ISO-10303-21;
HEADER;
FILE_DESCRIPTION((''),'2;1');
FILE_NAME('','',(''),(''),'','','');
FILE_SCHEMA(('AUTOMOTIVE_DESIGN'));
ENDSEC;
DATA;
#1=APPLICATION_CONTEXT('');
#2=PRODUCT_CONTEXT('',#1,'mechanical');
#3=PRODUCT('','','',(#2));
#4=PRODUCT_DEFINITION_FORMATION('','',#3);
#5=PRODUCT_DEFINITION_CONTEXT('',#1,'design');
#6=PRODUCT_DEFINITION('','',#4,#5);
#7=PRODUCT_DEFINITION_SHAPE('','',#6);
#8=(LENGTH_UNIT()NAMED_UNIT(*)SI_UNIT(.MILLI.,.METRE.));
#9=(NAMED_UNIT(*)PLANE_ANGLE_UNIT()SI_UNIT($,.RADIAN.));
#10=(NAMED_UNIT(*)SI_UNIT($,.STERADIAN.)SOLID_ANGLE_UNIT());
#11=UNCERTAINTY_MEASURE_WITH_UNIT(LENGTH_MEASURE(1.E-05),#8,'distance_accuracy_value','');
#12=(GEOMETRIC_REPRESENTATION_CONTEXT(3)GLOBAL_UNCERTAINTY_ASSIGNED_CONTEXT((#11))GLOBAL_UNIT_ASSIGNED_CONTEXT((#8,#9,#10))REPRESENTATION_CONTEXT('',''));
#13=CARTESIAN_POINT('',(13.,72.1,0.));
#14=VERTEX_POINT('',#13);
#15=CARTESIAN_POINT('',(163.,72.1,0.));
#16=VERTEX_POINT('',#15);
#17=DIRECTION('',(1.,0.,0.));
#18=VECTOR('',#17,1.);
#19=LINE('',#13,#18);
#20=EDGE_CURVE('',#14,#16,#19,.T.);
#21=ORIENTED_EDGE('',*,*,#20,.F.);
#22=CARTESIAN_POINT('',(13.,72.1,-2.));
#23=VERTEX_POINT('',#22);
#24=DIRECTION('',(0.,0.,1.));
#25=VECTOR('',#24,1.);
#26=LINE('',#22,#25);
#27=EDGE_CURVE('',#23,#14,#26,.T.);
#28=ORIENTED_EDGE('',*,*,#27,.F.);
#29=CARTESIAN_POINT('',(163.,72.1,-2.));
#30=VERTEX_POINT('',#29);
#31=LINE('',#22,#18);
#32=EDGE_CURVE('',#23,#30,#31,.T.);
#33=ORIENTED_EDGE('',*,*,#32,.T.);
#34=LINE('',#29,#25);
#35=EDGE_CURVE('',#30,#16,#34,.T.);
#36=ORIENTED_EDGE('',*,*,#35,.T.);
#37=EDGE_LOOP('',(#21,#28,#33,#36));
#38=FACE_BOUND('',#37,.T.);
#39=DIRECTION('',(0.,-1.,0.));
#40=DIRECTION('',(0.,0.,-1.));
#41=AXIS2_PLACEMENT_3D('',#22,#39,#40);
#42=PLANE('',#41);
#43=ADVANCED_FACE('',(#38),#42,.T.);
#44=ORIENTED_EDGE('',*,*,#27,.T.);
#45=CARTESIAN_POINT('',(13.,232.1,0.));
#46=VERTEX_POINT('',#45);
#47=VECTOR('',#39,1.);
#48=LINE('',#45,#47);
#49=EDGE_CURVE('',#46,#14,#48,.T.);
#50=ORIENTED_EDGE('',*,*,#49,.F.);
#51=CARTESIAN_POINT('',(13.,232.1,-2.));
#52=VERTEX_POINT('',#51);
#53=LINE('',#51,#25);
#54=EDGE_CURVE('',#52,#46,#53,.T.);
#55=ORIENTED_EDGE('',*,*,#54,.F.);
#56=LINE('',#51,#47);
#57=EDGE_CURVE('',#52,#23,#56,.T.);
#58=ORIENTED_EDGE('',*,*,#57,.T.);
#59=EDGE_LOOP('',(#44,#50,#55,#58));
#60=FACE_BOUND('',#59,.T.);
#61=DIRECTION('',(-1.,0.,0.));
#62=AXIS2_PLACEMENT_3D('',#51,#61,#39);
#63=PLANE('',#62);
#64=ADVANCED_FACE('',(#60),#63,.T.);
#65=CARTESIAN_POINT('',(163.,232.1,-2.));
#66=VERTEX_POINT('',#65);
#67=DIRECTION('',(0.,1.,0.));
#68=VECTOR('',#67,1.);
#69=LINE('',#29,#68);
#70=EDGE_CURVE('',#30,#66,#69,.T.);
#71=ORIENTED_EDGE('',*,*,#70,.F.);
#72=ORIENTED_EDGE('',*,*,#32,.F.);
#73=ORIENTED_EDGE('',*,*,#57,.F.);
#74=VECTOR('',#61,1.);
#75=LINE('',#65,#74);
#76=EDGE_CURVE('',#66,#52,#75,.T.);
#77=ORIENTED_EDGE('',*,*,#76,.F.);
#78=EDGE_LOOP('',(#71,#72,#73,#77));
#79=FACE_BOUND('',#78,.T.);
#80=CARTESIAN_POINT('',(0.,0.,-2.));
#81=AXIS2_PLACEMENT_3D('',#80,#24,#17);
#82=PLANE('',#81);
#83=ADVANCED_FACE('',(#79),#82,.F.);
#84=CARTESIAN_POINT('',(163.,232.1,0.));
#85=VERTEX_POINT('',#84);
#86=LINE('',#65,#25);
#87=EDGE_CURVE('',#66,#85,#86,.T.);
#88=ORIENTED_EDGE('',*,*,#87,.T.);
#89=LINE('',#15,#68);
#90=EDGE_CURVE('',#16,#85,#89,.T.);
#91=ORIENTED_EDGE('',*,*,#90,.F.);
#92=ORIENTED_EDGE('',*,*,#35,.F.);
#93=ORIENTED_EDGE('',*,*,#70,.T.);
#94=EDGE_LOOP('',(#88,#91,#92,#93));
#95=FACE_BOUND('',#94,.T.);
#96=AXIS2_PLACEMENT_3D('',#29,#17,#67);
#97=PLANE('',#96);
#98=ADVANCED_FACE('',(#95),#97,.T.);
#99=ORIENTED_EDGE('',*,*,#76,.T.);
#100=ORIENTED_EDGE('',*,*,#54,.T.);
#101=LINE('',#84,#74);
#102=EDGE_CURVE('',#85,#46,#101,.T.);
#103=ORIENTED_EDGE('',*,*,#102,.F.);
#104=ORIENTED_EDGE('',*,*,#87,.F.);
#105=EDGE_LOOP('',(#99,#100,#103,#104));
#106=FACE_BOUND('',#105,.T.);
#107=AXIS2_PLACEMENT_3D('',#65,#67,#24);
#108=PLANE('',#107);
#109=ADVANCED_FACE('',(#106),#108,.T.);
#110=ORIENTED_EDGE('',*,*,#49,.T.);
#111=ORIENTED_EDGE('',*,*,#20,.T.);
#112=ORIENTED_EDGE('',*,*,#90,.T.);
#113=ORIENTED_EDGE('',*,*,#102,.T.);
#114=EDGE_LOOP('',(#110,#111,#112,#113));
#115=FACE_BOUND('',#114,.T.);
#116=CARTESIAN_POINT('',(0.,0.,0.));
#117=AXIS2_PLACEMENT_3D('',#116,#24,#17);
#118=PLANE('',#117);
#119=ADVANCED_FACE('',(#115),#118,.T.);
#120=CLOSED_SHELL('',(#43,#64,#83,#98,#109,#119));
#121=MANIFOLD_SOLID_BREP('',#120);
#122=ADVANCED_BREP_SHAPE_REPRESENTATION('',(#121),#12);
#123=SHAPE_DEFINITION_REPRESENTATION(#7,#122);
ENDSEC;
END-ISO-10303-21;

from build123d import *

# Parameters (mm, degrees)
SKETCH1_W        = 150
SKETCH1_H        = 160
SIDE_DOORS_DEPTH = 2


with BuildPart() as part:
    # Sketch1 → Side_doors (new body)
    with BuildSketch(Plane.XY):
        with Locations((88, 152.1)):
            Rectangle(SKETCH1_W, SKETCH1_H)
    extrude(amount=-SIDE_DOORS_DEPTH)


solid = part.part
